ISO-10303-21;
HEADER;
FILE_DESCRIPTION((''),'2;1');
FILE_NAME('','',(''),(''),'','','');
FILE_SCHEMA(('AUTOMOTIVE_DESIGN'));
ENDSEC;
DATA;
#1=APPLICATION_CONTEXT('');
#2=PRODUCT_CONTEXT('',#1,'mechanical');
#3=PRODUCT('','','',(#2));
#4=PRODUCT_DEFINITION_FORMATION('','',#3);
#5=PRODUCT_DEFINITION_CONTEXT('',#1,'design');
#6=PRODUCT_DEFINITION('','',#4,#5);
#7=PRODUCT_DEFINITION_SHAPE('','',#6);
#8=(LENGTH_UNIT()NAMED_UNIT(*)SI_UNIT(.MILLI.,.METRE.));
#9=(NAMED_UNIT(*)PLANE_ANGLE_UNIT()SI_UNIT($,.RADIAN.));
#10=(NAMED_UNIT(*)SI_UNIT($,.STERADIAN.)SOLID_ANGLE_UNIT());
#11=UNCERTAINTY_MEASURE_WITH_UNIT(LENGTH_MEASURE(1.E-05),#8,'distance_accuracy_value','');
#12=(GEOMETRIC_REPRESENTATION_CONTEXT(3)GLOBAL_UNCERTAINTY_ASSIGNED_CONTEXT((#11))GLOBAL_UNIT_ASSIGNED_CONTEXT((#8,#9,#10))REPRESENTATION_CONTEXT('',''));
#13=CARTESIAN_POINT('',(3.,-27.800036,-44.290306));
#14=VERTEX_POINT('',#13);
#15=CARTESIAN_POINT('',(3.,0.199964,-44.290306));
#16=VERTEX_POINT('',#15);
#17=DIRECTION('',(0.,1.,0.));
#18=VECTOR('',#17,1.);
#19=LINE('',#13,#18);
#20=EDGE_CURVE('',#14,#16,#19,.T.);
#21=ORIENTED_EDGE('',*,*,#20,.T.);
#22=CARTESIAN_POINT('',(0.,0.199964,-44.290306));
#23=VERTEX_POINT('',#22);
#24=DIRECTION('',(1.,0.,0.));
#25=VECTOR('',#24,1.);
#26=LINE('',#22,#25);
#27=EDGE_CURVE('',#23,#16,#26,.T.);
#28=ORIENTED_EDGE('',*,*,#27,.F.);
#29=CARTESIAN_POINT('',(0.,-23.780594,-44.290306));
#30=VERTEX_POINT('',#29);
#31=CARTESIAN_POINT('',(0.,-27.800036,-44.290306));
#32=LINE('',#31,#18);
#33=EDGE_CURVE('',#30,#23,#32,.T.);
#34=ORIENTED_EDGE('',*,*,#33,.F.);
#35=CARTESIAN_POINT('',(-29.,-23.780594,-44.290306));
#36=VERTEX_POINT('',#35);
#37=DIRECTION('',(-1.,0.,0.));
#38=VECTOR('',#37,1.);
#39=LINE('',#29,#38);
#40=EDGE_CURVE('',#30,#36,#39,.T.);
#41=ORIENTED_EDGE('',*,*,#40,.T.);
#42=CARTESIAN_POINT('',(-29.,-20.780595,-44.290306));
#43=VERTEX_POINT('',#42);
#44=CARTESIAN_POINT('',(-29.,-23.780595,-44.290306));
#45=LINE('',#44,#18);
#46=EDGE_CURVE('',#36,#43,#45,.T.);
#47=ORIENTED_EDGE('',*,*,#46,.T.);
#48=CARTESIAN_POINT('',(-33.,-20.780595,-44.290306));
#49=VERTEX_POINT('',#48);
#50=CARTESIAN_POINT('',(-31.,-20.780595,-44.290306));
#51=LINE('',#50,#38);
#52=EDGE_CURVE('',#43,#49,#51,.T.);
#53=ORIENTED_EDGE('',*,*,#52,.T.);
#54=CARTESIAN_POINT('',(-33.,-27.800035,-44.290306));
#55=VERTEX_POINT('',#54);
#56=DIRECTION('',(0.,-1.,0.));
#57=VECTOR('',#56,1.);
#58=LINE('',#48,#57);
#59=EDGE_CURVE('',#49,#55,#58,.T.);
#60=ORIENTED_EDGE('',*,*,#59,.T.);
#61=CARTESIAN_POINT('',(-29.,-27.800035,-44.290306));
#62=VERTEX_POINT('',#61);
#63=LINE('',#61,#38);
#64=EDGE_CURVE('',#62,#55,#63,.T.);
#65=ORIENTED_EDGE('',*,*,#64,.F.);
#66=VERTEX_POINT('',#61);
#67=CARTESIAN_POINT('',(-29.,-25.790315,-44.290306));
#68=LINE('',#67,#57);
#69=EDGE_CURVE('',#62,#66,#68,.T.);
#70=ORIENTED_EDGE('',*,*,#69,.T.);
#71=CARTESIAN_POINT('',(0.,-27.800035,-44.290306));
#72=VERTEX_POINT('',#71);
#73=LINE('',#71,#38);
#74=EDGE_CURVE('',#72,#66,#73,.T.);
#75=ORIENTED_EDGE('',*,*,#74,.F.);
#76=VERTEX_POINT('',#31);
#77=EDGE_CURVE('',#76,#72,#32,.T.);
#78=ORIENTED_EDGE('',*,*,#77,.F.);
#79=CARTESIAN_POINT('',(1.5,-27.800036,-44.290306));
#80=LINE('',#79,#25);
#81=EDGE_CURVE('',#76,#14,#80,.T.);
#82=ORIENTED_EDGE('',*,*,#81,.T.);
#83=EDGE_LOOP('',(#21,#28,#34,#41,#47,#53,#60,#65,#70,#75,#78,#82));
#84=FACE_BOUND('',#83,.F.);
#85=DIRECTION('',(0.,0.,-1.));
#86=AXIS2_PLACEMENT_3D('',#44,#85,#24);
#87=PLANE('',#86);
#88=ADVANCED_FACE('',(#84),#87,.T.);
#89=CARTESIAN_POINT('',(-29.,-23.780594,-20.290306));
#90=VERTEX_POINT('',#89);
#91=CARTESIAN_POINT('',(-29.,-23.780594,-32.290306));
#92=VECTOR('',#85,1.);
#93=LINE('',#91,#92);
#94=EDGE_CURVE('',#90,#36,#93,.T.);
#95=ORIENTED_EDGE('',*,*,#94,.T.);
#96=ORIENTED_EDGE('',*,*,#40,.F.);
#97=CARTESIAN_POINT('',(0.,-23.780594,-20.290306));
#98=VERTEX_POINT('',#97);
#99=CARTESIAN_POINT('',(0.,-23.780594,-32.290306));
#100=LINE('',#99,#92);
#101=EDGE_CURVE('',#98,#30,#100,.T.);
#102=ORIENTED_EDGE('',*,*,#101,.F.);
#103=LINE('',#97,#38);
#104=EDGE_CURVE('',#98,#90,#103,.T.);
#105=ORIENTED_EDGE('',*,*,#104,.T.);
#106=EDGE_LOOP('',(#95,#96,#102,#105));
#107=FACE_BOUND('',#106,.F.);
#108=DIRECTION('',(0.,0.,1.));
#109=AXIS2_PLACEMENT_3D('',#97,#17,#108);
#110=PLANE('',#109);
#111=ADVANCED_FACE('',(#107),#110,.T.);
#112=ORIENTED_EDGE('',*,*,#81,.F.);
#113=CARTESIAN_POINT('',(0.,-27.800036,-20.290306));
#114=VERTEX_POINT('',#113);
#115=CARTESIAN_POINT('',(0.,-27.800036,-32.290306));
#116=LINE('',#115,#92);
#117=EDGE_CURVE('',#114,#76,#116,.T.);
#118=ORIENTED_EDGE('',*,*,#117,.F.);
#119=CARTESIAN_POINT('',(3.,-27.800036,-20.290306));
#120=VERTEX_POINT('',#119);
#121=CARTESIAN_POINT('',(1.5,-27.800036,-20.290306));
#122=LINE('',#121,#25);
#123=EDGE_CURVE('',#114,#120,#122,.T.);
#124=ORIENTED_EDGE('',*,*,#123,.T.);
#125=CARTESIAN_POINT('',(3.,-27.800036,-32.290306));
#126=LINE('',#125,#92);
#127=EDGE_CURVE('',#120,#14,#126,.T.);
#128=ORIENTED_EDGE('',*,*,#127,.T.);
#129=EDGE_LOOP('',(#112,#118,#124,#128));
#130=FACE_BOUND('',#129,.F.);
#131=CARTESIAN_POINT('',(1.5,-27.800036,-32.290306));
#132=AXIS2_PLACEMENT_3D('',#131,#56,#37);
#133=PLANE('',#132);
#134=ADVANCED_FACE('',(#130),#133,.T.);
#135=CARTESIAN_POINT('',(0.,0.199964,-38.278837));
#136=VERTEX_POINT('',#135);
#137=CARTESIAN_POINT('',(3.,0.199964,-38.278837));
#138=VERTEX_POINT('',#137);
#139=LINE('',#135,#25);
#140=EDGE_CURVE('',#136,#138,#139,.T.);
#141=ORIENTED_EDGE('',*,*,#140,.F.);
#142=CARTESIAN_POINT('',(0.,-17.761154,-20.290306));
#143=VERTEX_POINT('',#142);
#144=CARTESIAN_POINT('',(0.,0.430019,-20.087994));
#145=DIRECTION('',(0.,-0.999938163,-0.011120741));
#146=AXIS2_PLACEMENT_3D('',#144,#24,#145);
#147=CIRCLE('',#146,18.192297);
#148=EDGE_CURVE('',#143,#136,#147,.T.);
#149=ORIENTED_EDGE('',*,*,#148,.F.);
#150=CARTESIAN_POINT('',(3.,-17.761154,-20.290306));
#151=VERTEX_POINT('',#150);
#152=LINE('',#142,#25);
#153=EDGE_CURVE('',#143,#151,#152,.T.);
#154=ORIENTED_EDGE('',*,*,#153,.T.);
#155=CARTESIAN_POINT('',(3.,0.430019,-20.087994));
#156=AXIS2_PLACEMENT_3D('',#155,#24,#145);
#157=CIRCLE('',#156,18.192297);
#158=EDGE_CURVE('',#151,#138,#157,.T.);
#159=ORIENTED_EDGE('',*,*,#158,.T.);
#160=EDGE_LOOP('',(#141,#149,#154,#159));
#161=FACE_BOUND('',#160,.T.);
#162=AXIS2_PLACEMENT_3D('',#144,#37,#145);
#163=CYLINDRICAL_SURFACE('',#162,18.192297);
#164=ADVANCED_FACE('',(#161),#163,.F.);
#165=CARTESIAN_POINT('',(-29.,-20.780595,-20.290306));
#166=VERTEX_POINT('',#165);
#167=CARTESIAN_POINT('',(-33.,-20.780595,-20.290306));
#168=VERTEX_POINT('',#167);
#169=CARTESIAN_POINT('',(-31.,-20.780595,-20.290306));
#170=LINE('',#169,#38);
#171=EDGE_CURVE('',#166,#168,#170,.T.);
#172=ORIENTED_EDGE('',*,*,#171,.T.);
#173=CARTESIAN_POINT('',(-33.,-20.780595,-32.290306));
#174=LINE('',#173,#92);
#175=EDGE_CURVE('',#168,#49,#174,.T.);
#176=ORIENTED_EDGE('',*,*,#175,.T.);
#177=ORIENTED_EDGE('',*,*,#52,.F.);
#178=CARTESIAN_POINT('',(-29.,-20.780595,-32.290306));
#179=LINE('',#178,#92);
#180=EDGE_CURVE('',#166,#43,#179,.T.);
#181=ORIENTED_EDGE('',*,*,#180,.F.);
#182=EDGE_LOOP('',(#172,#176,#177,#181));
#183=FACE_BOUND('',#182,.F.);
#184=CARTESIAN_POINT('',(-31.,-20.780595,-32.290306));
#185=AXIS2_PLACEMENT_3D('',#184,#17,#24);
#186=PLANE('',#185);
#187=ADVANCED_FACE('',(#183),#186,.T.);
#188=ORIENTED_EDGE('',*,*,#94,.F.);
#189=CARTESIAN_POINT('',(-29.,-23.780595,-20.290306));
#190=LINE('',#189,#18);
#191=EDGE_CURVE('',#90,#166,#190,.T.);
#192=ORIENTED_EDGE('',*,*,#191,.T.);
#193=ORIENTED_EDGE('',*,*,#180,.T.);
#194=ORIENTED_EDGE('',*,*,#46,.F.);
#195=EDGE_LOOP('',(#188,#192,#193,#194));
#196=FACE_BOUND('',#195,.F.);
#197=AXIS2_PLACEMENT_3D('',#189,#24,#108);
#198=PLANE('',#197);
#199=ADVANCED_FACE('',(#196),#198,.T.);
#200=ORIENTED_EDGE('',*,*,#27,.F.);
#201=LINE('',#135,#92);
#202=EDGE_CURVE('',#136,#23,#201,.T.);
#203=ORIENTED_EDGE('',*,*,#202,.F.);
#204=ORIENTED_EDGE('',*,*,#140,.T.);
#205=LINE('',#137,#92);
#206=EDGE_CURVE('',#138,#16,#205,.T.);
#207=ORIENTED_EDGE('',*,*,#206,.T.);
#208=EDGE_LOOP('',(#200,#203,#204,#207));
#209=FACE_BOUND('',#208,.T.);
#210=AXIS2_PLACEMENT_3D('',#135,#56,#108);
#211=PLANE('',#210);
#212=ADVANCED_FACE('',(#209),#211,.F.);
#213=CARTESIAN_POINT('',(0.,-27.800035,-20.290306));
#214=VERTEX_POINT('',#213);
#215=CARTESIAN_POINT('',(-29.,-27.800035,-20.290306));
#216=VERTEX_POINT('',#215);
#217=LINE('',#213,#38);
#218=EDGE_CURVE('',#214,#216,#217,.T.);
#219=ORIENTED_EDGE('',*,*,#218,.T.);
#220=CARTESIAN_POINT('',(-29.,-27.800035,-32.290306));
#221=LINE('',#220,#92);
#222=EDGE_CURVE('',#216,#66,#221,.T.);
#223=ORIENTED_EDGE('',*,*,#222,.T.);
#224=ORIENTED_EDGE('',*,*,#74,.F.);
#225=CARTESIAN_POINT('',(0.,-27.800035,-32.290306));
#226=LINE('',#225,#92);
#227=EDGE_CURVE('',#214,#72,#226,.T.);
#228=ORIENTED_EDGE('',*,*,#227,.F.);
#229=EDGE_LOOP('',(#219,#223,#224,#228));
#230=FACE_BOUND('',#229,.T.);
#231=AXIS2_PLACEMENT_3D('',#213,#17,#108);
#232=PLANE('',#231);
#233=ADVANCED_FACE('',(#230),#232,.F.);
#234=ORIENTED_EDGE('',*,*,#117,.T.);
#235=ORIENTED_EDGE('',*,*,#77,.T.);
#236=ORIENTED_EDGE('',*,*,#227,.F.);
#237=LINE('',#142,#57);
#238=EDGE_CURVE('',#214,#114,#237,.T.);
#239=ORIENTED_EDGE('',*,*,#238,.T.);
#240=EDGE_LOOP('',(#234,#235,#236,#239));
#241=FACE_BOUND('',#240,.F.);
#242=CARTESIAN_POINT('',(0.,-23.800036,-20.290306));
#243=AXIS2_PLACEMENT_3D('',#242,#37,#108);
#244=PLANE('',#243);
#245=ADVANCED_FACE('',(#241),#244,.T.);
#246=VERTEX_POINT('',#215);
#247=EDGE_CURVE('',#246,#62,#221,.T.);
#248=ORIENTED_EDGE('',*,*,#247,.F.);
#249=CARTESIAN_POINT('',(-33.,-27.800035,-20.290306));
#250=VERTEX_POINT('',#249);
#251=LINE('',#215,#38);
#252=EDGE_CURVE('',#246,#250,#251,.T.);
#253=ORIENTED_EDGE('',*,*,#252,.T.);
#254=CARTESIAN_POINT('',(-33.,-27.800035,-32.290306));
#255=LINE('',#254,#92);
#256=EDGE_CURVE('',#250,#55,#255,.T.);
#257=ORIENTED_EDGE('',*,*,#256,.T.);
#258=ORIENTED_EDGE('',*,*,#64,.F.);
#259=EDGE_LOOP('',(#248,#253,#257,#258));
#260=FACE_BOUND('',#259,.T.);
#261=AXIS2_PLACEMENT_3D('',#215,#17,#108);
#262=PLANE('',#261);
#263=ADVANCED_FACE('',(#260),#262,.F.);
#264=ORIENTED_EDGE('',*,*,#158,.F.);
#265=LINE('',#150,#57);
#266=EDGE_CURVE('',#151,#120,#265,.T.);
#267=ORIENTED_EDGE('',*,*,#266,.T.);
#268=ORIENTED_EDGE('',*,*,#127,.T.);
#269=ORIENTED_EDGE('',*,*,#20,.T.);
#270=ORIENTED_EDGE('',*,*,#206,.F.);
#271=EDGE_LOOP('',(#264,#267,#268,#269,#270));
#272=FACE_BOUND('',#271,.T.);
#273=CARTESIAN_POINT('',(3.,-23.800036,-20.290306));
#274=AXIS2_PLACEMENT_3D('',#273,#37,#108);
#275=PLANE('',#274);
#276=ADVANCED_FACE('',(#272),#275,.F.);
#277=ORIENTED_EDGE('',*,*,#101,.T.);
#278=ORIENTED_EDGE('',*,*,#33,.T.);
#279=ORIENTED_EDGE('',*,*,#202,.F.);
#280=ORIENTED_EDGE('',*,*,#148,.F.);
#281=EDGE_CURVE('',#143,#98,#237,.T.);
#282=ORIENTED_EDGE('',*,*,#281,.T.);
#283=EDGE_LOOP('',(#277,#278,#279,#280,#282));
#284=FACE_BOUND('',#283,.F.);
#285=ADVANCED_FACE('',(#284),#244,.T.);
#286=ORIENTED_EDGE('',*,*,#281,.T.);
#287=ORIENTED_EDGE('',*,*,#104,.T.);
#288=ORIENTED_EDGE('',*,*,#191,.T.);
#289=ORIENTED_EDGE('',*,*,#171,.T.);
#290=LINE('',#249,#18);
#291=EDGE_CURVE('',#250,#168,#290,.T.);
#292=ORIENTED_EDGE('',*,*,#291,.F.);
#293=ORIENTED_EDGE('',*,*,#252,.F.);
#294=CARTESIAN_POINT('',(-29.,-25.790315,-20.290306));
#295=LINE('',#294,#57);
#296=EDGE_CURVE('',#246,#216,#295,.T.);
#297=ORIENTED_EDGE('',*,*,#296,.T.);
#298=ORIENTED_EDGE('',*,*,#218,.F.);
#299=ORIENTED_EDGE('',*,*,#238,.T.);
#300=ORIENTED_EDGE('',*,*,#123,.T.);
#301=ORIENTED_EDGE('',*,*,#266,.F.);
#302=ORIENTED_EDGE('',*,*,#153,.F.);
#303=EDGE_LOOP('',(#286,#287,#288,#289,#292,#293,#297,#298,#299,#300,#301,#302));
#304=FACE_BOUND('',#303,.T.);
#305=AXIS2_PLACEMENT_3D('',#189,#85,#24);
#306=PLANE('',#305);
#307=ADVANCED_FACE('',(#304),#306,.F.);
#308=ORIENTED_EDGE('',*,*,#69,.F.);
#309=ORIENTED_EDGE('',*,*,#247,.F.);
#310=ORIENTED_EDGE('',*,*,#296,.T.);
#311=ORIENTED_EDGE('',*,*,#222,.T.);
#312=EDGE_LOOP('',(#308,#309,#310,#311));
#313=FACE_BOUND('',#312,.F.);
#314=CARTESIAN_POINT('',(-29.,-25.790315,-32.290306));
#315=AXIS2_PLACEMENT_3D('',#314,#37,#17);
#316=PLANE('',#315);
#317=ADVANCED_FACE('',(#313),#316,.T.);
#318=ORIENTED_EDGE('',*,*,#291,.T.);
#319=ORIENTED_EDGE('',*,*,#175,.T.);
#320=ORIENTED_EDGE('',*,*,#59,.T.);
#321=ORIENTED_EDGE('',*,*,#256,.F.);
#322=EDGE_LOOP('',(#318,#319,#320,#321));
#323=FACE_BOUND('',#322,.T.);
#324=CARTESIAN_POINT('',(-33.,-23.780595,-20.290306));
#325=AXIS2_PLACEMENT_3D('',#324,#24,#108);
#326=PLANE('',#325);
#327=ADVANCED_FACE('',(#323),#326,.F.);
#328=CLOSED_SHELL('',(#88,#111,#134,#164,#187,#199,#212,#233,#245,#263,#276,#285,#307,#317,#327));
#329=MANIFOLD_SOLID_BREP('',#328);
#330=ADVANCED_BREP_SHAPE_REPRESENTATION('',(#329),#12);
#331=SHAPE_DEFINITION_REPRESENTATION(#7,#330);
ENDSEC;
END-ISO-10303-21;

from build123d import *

# Parameters (mm, degrees)
F1_DEPTH  = 3
F1_FACE_W = 3
F1_FACE_H = 24
F2_DEPTH  = 4
F3_W      = 4.019441
F3_H      = 24
F4_DEPTH  = 29
F4_FACE_W = 4.01944
F4_FACE_H = 24
F5_DEPTH  = 4
F6_W      = 4
F6_H      = 24
F7_DEPTH  = 3


with BuildPart() as f1:
    # F0 (on Right) → F1 (new body)
    with BuildSketch(Plane.YZ):
        with BuildLine():
            Line((0.199964, 44.290306), (-23.800036, 44.290306))
            Line((-23.800036, 44.290306), (-23.800036, 20.290306))
            Line((-23.800036, 20.290306), (-19.761154, 20.290306))
            Line((-19.761154, 20.290306), (-17.761154, 20.290306))
            ThreePointArc((-17.761154, 20.290306), (-12.443684, 32.942078), (0.199964, 38.278837))
            Line((0.199964, 38.278837), (0.199964, 44.290306))
        make_face()
    extrude(amount=F1_DEPTH)

    # F1_face (on face) → F2 (join)
    with BuildSketch(Plane(origin=(1.5, -23.800036, 32.290306), x_dir=(1, 0, 0), z_dir=(0, -1, 0))):
        Rectangle(F1_FACE_W, F1_FACE_H)
    extrude(amount=F2_DEPTH)

    # F3 (on face) → F4 (join)
    with BuildSketch(Plane(origin=(0, 0, 0), x_dir=(0, -1, 0), z_dir=(-1, 0, 0))):
        with Locations((25.790315, 32.290306)):
            Rectangle(F3_W, F3_H)
    extrude(amount=F4_DEPTH)

    # F4_face (on face) → F5 (join)
    with BuildSketch(Plane(origin=(-29, -25.790315, 32.290306), x_dir=(0, -1, 0), z_dir=(-1, 0, 0))):
        Rectangle(F4_FACE_W, F4_FACE_H)
    extrude(amount=F5_DEPTH)

    # F6 (on face) → F7 (join)
    with BuildSketch(Plane(origin=(0, -23.780595, 0), x_dir=(-1, 0, 0), z_dir=(0, 1, 0))):
        with Locations((31, 32.290306)):
            Rectangle(F6_W, F6_H)
    extrude(amount=F7_DEPTH)


with BuildPart() as f8_1:
    # F8: instance of F1
    add(f1.part.mirror(Plane.XY))


solid = f8_1.part
